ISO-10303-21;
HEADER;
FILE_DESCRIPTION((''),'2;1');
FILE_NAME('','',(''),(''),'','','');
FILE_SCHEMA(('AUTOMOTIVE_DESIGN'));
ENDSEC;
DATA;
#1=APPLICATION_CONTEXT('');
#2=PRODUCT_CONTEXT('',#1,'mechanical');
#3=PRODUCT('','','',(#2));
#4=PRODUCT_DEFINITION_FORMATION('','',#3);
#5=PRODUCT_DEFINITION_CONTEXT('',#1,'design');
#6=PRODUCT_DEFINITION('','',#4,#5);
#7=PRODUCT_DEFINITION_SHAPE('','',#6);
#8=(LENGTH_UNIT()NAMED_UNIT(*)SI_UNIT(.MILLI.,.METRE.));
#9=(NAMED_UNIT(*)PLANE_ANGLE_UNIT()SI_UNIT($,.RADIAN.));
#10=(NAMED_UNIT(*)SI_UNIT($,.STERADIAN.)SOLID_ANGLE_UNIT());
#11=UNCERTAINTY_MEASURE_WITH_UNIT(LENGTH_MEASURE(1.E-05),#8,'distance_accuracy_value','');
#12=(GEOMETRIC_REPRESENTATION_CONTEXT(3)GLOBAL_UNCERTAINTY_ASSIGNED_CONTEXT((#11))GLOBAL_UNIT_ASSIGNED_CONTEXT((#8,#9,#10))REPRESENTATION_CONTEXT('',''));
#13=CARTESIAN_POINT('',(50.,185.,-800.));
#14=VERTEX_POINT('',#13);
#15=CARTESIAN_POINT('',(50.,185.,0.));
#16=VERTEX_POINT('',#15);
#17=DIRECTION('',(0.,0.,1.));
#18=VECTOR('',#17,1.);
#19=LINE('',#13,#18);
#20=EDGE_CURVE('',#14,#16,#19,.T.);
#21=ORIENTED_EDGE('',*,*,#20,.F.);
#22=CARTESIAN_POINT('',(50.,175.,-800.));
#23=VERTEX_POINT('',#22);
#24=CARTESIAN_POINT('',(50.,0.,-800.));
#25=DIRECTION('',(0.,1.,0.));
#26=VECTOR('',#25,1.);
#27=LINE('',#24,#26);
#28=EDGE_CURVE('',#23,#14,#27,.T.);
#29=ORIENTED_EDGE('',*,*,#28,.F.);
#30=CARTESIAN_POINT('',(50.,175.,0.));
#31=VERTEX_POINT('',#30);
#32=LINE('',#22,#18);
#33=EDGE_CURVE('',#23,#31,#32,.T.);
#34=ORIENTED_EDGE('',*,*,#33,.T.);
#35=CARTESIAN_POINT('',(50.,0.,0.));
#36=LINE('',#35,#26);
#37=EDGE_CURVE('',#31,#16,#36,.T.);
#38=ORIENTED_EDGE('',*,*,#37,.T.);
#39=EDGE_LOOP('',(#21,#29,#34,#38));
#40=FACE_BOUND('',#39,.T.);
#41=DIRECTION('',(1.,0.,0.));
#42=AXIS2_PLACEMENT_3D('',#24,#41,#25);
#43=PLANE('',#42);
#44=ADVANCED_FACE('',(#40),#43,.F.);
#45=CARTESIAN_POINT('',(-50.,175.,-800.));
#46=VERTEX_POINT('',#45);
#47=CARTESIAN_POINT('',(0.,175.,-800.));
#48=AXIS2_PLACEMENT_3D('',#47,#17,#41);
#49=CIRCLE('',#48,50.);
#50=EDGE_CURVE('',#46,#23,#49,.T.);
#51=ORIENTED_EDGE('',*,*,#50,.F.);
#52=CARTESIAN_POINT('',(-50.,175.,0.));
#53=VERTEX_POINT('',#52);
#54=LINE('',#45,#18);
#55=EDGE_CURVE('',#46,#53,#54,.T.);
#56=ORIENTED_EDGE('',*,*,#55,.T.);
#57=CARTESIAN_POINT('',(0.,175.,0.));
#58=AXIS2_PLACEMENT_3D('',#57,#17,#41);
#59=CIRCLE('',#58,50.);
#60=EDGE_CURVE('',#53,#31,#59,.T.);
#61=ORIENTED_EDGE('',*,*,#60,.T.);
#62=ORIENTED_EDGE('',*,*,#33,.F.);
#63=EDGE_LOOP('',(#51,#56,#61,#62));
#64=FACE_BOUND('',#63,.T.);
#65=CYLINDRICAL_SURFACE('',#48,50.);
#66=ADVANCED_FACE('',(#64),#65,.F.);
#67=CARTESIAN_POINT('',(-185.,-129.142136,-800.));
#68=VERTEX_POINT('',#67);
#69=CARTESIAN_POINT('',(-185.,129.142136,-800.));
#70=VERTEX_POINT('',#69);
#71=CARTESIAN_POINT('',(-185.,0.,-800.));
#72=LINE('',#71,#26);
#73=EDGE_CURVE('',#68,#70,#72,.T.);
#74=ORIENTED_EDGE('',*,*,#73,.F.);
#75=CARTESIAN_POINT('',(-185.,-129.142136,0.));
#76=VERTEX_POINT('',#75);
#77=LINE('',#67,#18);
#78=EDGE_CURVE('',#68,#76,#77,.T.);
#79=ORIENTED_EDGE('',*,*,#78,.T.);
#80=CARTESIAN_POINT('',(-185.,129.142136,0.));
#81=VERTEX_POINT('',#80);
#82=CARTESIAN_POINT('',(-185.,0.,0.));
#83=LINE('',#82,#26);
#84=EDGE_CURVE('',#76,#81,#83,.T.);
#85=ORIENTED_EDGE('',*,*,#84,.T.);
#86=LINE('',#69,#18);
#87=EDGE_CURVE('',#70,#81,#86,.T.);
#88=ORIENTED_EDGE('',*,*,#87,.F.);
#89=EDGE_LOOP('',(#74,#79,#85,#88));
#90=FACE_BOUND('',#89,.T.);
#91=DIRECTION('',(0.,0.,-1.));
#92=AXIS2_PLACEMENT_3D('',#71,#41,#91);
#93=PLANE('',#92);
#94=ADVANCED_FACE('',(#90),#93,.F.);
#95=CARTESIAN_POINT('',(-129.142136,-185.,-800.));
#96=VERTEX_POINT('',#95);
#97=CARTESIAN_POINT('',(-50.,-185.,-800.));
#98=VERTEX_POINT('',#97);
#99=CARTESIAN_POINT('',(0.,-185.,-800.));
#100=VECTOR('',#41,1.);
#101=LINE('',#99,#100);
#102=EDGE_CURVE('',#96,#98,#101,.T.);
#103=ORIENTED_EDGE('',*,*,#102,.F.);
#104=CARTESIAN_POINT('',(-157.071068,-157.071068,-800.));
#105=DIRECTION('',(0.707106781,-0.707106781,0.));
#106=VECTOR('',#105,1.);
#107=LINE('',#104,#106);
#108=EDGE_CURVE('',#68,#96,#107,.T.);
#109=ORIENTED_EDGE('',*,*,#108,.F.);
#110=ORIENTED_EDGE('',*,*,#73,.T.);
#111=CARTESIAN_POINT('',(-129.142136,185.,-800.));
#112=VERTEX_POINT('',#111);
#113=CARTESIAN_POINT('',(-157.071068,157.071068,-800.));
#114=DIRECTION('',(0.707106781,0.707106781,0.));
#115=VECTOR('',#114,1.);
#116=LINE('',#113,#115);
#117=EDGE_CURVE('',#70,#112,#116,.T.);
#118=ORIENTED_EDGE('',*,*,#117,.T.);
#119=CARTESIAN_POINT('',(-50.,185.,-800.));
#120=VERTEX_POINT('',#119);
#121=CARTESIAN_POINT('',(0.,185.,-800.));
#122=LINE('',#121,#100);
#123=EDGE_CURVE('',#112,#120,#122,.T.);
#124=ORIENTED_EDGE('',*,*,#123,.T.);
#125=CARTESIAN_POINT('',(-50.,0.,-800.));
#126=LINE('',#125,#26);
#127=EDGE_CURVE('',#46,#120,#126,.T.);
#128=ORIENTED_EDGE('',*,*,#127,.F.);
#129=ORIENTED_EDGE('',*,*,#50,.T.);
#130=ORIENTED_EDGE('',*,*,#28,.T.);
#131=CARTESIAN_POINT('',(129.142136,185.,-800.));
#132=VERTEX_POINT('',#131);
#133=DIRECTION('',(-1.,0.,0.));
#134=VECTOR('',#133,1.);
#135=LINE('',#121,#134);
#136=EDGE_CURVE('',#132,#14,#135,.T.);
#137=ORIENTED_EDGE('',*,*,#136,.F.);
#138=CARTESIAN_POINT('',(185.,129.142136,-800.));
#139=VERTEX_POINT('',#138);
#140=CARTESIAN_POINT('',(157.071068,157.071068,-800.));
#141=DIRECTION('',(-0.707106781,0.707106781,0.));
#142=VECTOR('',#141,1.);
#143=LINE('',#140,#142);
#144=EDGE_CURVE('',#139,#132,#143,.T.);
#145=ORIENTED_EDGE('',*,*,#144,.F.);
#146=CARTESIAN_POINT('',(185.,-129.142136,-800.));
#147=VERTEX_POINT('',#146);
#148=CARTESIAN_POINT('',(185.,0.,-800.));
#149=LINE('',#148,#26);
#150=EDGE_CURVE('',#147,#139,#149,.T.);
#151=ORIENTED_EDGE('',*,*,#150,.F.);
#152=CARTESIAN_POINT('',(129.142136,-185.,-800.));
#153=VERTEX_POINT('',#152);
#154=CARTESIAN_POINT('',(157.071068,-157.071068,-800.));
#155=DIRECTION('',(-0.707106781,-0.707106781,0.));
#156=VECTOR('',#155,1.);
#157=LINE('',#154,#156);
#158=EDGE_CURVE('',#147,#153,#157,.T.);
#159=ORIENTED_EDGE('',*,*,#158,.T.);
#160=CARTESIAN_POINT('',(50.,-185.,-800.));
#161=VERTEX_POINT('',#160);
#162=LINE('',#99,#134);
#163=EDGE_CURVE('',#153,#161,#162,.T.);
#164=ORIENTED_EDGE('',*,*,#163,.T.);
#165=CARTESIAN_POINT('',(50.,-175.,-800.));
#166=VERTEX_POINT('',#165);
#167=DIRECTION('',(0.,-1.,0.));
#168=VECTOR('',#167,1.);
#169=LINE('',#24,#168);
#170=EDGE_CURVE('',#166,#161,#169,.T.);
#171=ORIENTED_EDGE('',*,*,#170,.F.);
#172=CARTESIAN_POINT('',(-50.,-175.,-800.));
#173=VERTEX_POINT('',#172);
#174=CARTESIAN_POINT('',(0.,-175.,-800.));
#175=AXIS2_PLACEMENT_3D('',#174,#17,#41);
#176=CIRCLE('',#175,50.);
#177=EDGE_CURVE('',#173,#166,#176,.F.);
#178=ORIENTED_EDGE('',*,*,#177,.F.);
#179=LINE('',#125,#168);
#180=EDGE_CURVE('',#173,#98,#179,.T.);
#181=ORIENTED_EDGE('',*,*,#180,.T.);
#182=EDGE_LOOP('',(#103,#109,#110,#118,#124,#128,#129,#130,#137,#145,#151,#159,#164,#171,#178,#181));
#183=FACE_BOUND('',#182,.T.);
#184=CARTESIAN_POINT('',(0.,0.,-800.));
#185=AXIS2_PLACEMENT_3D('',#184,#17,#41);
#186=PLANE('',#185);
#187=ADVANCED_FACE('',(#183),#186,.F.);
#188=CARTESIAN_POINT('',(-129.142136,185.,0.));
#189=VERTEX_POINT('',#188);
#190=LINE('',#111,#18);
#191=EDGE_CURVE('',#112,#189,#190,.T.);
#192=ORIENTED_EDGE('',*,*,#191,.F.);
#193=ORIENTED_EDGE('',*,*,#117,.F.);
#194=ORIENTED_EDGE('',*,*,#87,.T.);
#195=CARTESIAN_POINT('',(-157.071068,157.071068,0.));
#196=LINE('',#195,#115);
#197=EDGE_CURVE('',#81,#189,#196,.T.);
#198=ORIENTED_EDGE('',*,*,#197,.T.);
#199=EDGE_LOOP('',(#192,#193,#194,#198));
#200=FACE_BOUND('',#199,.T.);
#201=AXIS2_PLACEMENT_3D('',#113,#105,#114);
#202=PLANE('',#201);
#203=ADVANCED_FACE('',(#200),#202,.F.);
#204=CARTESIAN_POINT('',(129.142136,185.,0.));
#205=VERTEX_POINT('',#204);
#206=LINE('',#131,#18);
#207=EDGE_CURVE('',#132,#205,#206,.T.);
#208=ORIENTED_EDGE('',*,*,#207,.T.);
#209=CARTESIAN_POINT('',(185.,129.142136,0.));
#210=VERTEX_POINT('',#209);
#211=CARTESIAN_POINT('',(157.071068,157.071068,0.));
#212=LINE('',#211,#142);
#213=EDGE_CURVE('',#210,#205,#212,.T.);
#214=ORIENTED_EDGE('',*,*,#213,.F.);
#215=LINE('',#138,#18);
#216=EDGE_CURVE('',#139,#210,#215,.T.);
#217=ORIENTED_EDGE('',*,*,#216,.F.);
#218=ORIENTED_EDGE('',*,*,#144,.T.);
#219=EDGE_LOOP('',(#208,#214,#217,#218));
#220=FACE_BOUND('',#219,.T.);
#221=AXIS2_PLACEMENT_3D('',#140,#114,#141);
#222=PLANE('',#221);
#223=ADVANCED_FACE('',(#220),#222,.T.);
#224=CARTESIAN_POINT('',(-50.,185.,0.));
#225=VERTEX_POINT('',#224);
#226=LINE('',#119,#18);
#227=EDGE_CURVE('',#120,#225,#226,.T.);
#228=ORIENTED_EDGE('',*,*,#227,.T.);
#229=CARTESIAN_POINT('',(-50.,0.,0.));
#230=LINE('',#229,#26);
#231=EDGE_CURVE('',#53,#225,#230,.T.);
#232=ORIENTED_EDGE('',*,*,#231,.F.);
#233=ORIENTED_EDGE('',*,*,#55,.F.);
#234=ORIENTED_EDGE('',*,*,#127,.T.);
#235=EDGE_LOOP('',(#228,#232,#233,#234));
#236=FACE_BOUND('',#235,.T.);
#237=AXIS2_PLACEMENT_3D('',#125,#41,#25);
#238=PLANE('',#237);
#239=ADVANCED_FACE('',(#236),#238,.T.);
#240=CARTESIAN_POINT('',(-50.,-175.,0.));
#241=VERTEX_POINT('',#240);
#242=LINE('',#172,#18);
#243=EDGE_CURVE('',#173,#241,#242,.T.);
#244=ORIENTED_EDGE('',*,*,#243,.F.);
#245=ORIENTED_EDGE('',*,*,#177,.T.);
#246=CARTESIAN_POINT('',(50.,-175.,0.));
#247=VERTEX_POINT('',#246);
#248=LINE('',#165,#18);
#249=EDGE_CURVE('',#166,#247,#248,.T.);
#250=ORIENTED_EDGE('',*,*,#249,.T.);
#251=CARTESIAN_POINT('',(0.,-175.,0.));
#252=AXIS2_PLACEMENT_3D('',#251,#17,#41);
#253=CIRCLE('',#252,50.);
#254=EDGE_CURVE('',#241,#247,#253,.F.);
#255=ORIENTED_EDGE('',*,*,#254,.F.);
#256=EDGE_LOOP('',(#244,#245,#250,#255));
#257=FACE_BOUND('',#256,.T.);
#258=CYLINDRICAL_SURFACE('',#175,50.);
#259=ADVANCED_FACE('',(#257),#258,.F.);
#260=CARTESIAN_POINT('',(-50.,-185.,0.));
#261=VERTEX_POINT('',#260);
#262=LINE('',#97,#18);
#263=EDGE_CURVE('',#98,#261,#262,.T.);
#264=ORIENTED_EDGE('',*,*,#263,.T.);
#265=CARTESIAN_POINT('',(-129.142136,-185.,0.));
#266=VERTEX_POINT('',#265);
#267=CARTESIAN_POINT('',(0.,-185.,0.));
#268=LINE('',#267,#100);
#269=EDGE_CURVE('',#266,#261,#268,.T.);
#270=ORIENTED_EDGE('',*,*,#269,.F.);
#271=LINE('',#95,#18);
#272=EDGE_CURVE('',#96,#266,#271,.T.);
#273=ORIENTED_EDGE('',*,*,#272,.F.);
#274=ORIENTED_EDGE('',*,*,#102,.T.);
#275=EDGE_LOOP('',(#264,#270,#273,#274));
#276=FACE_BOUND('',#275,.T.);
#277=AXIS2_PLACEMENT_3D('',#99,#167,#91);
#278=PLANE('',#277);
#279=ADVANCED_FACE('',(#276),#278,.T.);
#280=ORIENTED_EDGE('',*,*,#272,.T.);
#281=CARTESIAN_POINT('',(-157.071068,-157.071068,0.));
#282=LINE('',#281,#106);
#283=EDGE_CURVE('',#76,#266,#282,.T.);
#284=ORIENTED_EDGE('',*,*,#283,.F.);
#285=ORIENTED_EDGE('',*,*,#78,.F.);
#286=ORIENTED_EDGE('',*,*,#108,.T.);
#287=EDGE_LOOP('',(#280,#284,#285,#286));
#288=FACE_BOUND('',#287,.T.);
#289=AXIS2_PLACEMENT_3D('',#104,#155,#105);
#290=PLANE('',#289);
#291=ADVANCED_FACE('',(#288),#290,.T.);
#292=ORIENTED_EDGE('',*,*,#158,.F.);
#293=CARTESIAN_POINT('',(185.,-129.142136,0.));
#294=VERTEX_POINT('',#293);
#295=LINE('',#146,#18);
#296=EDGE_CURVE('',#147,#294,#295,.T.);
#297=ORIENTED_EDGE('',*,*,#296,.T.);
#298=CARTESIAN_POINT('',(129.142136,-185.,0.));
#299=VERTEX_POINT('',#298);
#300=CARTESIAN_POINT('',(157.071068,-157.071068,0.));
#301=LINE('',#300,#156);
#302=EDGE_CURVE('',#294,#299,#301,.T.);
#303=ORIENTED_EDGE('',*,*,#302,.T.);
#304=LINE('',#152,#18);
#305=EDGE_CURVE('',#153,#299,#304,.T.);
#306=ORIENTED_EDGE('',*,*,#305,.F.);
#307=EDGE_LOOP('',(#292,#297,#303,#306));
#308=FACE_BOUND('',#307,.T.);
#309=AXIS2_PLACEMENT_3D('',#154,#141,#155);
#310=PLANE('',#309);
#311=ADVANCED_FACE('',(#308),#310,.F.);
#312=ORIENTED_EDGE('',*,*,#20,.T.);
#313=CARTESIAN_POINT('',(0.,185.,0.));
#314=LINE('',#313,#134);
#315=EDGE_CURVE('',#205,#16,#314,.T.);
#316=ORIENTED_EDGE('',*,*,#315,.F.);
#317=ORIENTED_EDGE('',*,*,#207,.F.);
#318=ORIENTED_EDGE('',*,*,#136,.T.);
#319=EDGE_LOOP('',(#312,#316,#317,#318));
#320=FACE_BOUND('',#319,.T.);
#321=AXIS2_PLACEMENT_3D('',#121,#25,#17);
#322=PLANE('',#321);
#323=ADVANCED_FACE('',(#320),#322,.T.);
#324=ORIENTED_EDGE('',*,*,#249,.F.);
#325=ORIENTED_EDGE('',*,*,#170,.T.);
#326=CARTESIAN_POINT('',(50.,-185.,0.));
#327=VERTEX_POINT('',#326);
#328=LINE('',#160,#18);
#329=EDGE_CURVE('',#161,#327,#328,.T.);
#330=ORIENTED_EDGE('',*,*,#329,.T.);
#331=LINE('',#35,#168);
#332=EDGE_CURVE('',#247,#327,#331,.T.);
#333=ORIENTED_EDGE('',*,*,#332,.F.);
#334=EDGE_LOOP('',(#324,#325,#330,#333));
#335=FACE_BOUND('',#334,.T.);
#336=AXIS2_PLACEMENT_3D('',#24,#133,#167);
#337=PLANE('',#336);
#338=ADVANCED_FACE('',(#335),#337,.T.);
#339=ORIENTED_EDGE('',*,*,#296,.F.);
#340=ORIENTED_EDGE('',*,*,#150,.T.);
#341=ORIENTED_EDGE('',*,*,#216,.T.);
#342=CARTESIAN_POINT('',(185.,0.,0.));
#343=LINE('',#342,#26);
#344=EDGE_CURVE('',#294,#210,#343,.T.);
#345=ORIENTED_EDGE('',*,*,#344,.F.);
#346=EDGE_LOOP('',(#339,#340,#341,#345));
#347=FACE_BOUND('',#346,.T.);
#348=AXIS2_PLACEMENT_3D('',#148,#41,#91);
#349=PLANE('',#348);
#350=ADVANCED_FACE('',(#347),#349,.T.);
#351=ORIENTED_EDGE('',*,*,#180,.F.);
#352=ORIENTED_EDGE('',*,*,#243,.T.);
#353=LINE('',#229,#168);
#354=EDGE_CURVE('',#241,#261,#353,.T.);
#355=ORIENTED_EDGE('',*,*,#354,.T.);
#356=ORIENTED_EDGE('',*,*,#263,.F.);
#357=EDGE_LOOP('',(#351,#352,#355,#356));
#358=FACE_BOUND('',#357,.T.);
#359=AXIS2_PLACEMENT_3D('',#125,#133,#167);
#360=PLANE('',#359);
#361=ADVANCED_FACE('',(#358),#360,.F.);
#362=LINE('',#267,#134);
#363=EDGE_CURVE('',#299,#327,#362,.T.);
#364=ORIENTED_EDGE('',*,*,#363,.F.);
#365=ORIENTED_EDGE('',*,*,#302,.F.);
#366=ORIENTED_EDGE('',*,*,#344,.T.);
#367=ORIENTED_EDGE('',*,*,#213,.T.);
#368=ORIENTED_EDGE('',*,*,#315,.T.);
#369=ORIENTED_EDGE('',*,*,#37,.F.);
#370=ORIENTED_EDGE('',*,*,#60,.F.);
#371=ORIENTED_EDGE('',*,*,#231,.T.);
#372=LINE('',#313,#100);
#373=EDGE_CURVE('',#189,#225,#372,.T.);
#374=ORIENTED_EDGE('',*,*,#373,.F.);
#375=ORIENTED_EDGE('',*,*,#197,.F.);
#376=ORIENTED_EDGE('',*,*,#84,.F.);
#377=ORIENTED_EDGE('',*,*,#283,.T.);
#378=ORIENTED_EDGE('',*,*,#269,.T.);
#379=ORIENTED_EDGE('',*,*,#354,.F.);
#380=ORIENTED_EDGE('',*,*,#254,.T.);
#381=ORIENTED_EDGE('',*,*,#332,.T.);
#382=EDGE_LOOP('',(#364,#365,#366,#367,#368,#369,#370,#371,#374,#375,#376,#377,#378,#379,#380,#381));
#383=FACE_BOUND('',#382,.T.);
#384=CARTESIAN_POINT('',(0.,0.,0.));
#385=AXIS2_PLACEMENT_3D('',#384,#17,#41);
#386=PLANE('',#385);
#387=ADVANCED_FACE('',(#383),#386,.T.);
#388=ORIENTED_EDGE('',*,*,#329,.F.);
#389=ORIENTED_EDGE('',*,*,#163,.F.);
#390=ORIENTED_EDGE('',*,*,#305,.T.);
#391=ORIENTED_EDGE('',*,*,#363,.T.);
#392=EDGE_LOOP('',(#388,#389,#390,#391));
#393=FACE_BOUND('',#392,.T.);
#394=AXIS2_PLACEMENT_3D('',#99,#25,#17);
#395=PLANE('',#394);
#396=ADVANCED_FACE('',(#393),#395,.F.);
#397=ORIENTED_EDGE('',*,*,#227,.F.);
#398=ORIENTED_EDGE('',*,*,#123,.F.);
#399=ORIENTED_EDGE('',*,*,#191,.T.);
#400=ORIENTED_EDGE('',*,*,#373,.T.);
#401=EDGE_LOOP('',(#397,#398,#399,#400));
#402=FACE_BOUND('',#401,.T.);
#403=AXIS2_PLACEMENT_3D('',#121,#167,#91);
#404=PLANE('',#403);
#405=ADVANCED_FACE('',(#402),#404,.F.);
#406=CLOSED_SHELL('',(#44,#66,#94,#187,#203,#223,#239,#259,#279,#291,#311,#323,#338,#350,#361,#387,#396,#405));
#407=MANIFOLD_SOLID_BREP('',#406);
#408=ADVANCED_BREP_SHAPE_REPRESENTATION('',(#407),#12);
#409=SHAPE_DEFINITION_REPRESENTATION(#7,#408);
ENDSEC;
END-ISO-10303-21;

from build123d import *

# Parameters (mm, degrees)
BOSS_EXTRUDE1_DEPTH = 800


with BuildPart() as part:
    # Sketch1 → Boss-Extrude1 (new body)
    with BuildSketch(Plane.XY):
        with BuildLine():
            Line((-185, 129.142135624), (-185, -129.142135624))
            Line((-185, -129.142135624), (-129.142135624, -185))
            Line((-129.142135624, -185), (-50, -185))
            Line((-50, -185), (-50, -175))
            ThreePointArc((-50, -175), (0, -125), (50, -175))
            Line((50, -175), (50, -185))
            Line((50, -185), (129.142135624, -185))
            Line((129.142135624, -185), (185, -129.142135624))
            Line((185, -129.142135624), (185, 129.142135624))
            Line((185, 129.142135624), (129.142135624, 185))
            Line((129.142135624, 185), (50, 185))
            Line((50, 185), (50, 175))
            ThreePointArc((50, 175), (0, 125), (-50, 175))
            Line((-50, 175), (-50, 185))
            Line((-50, 185), (-129.142135624, 185))
            Line((-129.142135624, 185), (-185, 129.142135624))
        make_face()
    extrude(amount=-BOSS_EXTRUDE1_DEPTH)


solid = part.part
